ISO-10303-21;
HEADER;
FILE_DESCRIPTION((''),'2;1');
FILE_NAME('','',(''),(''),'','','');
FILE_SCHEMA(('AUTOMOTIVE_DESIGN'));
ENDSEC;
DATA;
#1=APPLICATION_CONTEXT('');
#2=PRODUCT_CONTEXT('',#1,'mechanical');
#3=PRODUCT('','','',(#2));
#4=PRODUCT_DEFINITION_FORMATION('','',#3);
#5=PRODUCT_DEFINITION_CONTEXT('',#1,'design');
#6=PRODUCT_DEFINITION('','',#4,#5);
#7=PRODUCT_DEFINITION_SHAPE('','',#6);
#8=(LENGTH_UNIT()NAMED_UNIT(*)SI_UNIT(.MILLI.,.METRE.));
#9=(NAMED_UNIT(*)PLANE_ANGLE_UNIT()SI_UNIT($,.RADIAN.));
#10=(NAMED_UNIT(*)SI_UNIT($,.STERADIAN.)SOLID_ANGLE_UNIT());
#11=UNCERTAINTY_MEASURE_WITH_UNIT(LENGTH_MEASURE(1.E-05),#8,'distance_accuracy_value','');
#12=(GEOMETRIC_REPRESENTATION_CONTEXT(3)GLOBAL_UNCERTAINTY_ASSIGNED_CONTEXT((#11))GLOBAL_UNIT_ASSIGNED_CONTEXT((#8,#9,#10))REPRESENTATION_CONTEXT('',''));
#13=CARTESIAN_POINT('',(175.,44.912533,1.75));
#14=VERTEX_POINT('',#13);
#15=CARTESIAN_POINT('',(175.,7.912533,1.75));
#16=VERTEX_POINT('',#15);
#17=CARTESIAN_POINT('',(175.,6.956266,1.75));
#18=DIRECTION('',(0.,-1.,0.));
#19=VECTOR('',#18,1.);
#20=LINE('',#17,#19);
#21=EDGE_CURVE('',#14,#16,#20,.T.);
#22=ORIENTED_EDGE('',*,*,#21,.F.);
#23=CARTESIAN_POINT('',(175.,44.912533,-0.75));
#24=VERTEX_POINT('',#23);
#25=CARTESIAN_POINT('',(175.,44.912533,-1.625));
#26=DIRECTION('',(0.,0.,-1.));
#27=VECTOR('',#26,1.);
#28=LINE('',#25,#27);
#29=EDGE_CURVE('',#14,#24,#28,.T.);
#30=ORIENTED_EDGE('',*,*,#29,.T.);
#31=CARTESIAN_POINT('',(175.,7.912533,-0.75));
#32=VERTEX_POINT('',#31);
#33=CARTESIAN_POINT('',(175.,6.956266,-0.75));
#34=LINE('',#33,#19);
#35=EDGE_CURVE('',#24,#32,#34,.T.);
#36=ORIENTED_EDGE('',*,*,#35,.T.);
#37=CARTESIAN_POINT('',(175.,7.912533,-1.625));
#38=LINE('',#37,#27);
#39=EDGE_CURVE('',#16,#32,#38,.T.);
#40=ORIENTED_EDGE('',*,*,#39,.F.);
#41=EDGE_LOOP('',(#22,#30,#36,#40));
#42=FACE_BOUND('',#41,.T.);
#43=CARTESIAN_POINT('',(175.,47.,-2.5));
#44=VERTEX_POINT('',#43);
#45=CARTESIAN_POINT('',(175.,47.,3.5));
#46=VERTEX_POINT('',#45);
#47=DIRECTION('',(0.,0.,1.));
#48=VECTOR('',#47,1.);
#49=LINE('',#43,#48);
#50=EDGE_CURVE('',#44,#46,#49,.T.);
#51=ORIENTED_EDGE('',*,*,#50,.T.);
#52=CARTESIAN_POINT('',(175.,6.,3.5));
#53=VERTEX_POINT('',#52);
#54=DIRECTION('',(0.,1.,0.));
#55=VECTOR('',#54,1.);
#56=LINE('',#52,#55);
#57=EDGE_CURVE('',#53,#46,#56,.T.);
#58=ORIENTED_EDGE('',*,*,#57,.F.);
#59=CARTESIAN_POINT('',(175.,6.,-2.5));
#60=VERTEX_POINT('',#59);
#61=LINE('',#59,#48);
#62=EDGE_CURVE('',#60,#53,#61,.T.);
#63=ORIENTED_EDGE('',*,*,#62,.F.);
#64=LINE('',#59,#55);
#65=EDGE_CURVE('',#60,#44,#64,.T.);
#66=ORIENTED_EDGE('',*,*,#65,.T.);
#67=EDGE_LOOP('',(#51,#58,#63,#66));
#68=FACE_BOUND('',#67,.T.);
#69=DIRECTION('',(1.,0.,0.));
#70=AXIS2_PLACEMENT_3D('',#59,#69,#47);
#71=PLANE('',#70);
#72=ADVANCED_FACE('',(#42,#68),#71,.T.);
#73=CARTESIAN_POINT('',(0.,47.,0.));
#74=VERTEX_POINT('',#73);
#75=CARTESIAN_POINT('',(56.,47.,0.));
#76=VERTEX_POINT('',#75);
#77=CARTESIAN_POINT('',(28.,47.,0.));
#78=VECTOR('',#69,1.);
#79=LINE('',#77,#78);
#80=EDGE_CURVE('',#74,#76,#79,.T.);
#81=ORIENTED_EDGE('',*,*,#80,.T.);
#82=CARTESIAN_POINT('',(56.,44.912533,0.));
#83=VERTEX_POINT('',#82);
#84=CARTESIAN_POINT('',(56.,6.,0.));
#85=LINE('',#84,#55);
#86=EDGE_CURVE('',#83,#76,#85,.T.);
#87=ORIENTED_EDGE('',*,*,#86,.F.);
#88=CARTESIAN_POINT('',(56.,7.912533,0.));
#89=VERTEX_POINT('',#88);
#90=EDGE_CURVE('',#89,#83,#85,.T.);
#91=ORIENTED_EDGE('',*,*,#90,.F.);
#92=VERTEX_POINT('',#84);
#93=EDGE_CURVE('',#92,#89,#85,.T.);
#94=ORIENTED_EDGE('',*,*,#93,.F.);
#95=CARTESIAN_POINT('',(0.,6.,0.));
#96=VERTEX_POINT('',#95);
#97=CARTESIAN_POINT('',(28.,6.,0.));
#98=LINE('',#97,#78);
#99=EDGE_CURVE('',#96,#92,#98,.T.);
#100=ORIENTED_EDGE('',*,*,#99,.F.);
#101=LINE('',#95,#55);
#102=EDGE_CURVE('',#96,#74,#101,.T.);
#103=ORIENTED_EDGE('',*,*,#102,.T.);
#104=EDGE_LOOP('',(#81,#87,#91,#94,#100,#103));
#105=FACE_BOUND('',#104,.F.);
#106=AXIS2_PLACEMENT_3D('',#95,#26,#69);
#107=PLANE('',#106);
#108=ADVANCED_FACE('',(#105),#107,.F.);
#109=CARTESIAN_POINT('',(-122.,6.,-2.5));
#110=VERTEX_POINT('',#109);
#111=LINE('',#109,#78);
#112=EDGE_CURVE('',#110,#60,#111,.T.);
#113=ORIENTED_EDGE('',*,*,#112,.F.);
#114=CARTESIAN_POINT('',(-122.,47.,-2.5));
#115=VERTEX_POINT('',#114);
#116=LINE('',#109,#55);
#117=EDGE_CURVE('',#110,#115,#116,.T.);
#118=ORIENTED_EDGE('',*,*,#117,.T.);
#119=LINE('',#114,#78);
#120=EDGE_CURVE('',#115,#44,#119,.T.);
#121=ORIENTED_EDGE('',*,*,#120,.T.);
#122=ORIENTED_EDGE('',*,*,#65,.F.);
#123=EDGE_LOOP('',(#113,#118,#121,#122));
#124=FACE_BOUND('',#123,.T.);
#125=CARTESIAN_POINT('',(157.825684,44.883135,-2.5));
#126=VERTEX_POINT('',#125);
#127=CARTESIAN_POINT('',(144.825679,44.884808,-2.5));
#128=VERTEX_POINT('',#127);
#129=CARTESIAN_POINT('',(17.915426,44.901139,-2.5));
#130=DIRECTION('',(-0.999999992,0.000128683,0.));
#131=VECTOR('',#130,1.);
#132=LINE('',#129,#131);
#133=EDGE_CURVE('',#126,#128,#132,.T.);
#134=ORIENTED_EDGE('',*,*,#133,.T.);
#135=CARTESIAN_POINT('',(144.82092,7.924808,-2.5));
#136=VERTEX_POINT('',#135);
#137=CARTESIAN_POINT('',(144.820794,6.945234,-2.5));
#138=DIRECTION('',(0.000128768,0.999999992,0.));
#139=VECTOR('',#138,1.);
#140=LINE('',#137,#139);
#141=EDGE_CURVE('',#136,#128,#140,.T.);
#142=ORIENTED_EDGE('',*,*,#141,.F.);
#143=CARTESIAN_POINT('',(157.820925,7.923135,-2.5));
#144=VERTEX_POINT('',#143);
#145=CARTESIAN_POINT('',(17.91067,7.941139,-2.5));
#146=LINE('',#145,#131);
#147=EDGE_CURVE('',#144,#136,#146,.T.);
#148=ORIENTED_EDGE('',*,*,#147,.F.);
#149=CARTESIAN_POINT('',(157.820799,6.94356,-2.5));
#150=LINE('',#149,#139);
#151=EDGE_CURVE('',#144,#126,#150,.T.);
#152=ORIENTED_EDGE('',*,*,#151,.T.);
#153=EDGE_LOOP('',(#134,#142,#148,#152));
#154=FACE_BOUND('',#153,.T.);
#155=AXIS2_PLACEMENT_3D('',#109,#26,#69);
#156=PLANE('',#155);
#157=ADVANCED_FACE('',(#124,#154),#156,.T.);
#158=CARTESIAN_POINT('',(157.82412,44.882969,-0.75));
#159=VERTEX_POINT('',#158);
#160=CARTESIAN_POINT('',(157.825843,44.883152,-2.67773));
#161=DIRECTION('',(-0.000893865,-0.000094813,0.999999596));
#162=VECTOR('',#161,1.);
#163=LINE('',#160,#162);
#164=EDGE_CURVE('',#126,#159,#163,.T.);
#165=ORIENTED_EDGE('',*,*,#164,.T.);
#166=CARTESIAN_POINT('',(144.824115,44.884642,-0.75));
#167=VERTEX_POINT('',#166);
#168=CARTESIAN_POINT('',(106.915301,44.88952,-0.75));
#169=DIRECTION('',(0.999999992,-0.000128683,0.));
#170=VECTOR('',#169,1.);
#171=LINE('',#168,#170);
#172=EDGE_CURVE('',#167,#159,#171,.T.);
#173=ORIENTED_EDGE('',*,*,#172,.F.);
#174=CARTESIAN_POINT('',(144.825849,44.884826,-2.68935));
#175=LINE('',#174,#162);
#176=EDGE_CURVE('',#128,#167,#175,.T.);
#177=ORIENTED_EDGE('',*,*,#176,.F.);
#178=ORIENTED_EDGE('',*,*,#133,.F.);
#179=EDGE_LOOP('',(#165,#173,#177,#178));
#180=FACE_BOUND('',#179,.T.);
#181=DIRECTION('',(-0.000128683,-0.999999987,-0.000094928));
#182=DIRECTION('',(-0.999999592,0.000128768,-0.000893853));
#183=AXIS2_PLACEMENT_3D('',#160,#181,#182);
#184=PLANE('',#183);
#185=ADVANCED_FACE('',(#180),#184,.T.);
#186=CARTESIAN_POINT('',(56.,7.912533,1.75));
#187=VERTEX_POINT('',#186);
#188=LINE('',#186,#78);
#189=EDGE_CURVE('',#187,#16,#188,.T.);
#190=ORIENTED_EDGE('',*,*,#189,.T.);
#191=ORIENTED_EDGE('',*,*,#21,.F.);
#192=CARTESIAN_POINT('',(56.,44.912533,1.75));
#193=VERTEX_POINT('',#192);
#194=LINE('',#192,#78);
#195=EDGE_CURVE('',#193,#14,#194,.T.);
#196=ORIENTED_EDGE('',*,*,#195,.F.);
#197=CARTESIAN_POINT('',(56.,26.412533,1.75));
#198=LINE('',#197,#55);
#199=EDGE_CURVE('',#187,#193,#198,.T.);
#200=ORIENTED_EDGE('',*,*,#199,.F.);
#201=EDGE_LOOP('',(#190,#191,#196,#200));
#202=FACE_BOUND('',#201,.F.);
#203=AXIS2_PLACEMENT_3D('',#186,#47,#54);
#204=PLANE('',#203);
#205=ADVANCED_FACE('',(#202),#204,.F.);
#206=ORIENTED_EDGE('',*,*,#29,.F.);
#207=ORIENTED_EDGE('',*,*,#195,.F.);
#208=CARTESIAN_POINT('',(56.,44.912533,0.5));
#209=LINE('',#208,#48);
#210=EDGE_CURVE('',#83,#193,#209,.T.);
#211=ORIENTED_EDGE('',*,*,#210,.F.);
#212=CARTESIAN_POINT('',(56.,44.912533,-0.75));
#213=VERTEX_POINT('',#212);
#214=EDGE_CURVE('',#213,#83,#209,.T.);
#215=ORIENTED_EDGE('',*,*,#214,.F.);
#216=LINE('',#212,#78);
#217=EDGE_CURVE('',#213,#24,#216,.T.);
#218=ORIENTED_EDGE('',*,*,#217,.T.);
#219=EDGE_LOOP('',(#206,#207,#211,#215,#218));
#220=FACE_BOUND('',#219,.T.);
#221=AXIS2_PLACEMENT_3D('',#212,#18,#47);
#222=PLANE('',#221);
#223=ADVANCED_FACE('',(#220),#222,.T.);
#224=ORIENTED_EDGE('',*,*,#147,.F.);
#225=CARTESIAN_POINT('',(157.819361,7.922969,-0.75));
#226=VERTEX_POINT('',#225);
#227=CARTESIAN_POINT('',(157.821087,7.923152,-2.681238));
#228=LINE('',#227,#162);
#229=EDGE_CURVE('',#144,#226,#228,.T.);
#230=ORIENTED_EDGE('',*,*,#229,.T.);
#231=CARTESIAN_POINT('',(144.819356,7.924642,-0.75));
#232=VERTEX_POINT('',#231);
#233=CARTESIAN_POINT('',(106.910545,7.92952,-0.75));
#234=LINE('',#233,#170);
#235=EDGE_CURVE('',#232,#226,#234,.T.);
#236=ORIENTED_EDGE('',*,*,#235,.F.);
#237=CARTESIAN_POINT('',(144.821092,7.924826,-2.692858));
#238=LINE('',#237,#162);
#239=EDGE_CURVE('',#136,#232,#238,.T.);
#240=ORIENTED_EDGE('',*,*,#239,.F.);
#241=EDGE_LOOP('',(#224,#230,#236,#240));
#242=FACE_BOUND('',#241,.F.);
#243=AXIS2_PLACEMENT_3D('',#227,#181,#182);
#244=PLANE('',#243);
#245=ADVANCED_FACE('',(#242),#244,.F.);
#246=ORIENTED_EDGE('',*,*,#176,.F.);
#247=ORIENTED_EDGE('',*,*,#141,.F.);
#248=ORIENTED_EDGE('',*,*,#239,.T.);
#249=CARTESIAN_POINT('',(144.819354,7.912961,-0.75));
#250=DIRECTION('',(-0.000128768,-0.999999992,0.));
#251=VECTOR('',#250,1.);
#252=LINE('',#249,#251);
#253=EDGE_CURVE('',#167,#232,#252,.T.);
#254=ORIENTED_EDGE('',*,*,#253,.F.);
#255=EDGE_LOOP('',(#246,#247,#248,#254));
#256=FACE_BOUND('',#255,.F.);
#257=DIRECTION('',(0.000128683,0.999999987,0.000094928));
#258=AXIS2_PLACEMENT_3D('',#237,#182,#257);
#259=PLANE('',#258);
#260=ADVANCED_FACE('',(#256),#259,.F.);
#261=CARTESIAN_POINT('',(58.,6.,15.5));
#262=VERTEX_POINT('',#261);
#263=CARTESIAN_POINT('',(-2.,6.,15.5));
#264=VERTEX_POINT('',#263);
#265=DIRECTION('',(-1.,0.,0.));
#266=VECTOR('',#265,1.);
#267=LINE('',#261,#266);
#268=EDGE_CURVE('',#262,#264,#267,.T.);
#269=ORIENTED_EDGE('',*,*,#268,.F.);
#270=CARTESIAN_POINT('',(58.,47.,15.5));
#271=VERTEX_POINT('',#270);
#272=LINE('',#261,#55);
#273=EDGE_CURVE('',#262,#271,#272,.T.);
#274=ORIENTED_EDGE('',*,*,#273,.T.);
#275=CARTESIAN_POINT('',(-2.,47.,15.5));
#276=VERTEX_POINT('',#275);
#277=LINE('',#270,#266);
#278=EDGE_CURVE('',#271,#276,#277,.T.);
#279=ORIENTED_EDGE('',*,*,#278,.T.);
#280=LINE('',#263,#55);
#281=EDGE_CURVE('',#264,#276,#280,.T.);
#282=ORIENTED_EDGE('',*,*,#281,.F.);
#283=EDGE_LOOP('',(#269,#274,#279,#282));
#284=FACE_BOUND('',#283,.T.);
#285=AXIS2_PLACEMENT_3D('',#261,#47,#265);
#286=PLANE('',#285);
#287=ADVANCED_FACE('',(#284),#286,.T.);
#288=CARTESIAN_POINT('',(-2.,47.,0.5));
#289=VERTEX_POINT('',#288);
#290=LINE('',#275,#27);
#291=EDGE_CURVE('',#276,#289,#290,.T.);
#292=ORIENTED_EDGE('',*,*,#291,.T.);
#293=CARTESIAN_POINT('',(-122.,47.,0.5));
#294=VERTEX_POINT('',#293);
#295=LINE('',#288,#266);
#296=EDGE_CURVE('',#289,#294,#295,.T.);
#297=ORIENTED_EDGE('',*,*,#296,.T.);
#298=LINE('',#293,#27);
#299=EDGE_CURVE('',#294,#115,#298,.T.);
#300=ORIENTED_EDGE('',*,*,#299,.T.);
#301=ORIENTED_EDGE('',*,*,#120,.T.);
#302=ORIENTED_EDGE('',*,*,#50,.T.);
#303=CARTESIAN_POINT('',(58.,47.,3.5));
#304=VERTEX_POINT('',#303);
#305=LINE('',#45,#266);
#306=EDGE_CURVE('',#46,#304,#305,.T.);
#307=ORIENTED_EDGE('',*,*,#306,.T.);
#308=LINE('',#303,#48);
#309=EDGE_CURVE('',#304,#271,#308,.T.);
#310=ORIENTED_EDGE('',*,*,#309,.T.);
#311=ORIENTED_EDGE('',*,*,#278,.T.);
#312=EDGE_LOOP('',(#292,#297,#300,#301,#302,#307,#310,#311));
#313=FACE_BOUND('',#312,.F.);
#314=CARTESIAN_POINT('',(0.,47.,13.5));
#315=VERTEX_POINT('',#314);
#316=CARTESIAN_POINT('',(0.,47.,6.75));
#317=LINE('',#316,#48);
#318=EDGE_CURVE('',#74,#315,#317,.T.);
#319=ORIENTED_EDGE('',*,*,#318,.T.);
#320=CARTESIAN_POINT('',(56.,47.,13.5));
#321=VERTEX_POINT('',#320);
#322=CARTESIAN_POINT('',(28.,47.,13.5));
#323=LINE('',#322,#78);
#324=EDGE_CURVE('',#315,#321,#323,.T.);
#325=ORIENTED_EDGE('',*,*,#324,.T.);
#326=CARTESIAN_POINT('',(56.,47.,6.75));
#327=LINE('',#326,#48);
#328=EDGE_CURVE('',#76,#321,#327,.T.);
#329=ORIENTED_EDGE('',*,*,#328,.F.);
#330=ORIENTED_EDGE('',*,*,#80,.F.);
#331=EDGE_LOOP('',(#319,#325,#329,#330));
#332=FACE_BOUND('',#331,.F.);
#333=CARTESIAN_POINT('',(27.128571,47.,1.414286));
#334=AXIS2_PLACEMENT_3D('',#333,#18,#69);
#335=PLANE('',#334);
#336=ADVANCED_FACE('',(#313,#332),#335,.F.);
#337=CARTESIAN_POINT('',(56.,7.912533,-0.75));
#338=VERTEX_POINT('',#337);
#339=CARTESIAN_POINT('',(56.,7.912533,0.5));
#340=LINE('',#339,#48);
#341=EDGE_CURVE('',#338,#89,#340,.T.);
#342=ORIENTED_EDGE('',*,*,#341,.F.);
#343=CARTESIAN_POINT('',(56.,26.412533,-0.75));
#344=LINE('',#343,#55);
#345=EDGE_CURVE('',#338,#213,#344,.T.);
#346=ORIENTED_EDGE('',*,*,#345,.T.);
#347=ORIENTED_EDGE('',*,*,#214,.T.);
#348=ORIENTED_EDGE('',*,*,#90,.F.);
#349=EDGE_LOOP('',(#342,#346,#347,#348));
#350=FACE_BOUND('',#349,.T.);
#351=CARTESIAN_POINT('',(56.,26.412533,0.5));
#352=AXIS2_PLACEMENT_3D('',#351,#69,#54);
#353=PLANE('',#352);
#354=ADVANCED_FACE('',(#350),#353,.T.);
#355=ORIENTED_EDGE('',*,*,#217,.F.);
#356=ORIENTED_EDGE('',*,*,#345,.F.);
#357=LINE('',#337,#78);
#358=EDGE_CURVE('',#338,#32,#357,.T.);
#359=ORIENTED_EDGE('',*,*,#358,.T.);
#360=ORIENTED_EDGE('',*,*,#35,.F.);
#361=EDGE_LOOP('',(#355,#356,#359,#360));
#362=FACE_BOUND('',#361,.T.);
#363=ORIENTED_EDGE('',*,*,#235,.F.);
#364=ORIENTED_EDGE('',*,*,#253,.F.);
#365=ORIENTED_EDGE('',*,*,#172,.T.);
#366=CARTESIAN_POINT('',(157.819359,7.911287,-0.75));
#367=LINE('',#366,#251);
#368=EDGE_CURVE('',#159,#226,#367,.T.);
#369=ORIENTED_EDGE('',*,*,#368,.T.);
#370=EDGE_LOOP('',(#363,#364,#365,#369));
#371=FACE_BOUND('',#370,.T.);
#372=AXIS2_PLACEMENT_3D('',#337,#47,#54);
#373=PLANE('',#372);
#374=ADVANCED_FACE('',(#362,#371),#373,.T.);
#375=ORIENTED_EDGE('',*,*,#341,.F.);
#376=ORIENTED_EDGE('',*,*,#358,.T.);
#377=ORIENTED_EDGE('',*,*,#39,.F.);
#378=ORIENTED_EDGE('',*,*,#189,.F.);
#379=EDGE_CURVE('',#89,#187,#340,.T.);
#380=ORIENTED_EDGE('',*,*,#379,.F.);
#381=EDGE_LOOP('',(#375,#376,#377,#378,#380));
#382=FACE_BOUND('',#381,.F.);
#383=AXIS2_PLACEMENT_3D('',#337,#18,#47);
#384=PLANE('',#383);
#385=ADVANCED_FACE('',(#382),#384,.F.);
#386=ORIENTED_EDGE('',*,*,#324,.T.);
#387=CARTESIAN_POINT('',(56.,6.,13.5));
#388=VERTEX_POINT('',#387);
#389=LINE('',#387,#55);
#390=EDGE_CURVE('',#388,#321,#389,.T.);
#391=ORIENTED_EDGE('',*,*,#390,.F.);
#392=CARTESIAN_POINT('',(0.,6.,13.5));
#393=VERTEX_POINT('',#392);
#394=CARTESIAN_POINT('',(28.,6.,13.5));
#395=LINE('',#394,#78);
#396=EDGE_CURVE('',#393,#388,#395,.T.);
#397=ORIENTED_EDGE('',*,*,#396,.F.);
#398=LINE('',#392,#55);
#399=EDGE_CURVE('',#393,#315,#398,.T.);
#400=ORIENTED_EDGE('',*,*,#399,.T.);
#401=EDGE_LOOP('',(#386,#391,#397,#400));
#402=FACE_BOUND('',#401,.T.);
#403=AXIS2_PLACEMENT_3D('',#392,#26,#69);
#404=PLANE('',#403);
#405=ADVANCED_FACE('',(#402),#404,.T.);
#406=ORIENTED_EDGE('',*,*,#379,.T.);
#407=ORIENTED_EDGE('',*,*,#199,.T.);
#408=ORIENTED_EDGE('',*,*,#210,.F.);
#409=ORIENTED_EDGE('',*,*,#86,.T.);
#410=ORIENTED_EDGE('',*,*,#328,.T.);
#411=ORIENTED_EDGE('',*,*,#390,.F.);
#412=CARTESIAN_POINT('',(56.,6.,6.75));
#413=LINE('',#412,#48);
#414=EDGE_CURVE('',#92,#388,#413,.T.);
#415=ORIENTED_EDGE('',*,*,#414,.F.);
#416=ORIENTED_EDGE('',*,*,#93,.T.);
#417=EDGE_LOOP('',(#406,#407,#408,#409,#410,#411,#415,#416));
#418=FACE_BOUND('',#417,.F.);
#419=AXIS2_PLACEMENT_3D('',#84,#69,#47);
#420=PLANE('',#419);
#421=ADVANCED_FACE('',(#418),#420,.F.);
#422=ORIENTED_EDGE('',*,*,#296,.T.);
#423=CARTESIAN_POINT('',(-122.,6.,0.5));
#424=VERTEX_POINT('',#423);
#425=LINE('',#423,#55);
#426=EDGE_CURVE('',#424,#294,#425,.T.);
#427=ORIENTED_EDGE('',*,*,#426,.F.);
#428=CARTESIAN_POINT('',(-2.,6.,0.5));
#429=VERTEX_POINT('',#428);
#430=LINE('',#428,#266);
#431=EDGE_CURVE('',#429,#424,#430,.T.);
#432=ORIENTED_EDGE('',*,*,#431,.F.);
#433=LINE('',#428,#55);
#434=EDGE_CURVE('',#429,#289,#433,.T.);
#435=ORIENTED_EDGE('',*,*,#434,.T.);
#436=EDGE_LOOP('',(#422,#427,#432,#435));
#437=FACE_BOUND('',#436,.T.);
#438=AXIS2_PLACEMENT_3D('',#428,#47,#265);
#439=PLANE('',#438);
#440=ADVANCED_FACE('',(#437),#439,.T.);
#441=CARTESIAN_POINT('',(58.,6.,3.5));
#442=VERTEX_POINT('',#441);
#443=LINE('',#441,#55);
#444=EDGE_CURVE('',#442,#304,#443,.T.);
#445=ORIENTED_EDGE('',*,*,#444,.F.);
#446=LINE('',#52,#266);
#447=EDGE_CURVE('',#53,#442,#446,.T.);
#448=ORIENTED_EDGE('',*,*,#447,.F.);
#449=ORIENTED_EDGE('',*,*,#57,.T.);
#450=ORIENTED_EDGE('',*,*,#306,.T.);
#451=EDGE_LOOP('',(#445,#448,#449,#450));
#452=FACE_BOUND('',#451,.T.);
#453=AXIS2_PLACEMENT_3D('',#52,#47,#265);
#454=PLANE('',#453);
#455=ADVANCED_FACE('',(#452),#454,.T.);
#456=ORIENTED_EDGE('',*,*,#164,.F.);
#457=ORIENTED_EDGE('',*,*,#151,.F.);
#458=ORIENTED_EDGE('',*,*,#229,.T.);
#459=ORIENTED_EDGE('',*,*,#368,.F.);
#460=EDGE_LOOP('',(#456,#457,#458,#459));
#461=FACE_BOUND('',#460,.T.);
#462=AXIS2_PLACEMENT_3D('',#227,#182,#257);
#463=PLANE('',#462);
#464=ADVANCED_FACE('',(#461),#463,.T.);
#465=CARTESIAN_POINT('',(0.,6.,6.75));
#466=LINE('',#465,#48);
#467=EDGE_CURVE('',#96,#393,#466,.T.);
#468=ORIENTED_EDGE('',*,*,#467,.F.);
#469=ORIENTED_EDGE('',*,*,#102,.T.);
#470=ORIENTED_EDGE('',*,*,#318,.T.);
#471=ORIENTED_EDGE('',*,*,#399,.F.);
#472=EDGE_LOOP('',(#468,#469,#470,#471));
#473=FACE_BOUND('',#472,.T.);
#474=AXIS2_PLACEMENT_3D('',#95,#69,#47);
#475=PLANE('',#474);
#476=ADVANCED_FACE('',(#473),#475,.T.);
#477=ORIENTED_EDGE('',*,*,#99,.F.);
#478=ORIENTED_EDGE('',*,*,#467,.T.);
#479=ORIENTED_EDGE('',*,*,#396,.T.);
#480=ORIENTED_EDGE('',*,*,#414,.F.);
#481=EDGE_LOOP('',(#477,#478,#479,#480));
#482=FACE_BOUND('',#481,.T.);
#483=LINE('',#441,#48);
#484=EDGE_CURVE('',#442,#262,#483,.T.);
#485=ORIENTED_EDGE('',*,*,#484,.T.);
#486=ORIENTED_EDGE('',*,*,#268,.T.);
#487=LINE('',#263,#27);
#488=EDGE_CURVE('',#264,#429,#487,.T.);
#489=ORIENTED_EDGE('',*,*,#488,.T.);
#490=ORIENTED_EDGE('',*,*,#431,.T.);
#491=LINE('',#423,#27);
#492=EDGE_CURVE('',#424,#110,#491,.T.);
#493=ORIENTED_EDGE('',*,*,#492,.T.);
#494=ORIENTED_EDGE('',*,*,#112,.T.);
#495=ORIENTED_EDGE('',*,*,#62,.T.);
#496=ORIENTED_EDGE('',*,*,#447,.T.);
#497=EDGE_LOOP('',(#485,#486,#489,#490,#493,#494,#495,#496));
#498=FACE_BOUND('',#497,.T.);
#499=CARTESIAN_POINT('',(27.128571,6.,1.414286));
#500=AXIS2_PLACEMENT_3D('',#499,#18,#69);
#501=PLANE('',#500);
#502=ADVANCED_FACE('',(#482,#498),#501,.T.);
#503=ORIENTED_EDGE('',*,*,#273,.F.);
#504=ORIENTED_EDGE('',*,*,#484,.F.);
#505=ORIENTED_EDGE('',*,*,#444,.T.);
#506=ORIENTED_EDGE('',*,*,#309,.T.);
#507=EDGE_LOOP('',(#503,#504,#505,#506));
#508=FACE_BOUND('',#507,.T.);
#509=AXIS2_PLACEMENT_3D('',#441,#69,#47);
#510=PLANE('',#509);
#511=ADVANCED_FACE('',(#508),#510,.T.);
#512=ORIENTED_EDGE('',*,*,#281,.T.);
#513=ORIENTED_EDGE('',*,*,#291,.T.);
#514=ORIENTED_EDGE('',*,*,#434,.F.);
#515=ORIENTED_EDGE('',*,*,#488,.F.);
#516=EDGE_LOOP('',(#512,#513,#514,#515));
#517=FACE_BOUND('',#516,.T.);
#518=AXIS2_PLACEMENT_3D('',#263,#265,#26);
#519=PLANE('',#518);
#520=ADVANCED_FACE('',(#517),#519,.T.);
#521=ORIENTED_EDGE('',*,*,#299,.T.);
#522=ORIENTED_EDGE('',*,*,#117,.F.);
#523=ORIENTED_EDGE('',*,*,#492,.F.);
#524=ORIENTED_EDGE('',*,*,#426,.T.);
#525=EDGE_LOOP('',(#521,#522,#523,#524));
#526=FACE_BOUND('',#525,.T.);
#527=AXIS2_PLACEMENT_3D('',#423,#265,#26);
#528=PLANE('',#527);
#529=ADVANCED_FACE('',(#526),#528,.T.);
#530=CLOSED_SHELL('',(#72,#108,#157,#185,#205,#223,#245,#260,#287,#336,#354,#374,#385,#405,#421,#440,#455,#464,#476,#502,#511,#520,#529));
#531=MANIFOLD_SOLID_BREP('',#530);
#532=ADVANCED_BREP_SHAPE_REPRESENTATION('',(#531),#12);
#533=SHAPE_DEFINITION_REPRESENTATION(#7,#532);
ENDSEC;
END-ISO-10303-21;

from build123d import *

# Parameters (mm, degrees)
SKETCH032_AS_DRAWN_W                      = 36.96
SKETCH032_AS_DRAWN_H                      = 13
EXTRUDE030_DEPTH                          = 2
EXTRUDE030_ONTO_SKETCH032_ROLL_ANGLE      = -0.051214
EXTRUDE030_ONTO_SKETCH032_PITCH_ANGLE     = -0.005439
EXTRUDE030_ONTO_SKETCH032_PLACEMENT_ANGLE = 89.992627
SKETCH031_W                               = 37
SKETCH031_H                               = 2.5
EXTRUDE029_DEPTH                          = 120
SKETCH030_W                               = 56
SKETCH030_H                               = 13.5
EXTRUDE028_DEPTH                          = 41


with BuildPart() as sensorcuts:
    # Sketch032 as drawn → Extrude030 (new)
    with BuildSketch(Plane.XY):
        with Locations((-0.07, -91)):
            Rectangle(SKETCH032_AS_DRAWN_W, SKETCH032_AS_DRAWN_H)
    extrude(amount=EXTRUDE030_DEPTH)


with BuildPart() as sensorcuts_1:
    # Extrude030 onto Sketch032 roll: moved
    add(sensorcuts.part.rotate(Axis((0, 0, 0), (1, 0, 0)), EXTRUDE030_ONTO_SKETCH032_ROLL_ANGLE))


with BuildPart() as sensorcuts_2:
    # Extrude030 onto Sketch032 pitch: moved
    add(sensorcuts_1.part.rotate(Axis((0, 0, 0), (0, 1, 0)), EXTRUDE030_ONTO_SKETCH032_PITCH_ANGLE))


with BuildPart() as sensorcuts_3:
    # Extrude030 onto Sketch032 placement: moved
    add(sensorcuts_2.part.moved(Location((60.323514, 26.485707, 1.233372))).rotate(Axis((60.323514, 26.485707, 1.233372), (0, 0, 1)), EXTRUDE030_ONTO_SKETCH032_PLACEMENT_ANGLE))


with BuildPart() as sensorcuts_4:
    # Extrude030 placement: moved
    add(sensorcuts_3.part.moved(Location((0, 0, -4))))


with BuildPart() as extrude029:
    # Sketch031 → Extrude029 (new body)
    with BuildSketch(Plane.YZ.offset(56)):
        with Locations((26.412533, 0.5)):
            Rectangle(SKETCH031_W, SKETCH031_H)
    extrude(amount=EXTRUDE029_DEPTH)


with BuildPart() as band002:
    # Sketch030 → Extrude028 (new body)
    with BuildSketch(Plane.XZ.offset(-6)):
        Polygon((175, 3.5), (58, 3.5), (58, 15.5), (-2, 15.5), (-2, 0.5), (-122, 0.5), (-122, -2.5), (175, -2.5), align=None)
        with Locations((28, 6.75)):
            Rectangle(SKETCH030_W, SKETCH030_H, mode=Mode.SUBTRACT)
    extrude(amount=-EXTRUDE028_DEPTH)

    # Cut002: cut Extrude029
    add(extrude029.part, mode=Mode.SUBTRACT)

    # Cut003: cut sensorCuts
    add(sensorcuts_4.part, mode=Mode.SUBTRACT)


solid = band002.part
